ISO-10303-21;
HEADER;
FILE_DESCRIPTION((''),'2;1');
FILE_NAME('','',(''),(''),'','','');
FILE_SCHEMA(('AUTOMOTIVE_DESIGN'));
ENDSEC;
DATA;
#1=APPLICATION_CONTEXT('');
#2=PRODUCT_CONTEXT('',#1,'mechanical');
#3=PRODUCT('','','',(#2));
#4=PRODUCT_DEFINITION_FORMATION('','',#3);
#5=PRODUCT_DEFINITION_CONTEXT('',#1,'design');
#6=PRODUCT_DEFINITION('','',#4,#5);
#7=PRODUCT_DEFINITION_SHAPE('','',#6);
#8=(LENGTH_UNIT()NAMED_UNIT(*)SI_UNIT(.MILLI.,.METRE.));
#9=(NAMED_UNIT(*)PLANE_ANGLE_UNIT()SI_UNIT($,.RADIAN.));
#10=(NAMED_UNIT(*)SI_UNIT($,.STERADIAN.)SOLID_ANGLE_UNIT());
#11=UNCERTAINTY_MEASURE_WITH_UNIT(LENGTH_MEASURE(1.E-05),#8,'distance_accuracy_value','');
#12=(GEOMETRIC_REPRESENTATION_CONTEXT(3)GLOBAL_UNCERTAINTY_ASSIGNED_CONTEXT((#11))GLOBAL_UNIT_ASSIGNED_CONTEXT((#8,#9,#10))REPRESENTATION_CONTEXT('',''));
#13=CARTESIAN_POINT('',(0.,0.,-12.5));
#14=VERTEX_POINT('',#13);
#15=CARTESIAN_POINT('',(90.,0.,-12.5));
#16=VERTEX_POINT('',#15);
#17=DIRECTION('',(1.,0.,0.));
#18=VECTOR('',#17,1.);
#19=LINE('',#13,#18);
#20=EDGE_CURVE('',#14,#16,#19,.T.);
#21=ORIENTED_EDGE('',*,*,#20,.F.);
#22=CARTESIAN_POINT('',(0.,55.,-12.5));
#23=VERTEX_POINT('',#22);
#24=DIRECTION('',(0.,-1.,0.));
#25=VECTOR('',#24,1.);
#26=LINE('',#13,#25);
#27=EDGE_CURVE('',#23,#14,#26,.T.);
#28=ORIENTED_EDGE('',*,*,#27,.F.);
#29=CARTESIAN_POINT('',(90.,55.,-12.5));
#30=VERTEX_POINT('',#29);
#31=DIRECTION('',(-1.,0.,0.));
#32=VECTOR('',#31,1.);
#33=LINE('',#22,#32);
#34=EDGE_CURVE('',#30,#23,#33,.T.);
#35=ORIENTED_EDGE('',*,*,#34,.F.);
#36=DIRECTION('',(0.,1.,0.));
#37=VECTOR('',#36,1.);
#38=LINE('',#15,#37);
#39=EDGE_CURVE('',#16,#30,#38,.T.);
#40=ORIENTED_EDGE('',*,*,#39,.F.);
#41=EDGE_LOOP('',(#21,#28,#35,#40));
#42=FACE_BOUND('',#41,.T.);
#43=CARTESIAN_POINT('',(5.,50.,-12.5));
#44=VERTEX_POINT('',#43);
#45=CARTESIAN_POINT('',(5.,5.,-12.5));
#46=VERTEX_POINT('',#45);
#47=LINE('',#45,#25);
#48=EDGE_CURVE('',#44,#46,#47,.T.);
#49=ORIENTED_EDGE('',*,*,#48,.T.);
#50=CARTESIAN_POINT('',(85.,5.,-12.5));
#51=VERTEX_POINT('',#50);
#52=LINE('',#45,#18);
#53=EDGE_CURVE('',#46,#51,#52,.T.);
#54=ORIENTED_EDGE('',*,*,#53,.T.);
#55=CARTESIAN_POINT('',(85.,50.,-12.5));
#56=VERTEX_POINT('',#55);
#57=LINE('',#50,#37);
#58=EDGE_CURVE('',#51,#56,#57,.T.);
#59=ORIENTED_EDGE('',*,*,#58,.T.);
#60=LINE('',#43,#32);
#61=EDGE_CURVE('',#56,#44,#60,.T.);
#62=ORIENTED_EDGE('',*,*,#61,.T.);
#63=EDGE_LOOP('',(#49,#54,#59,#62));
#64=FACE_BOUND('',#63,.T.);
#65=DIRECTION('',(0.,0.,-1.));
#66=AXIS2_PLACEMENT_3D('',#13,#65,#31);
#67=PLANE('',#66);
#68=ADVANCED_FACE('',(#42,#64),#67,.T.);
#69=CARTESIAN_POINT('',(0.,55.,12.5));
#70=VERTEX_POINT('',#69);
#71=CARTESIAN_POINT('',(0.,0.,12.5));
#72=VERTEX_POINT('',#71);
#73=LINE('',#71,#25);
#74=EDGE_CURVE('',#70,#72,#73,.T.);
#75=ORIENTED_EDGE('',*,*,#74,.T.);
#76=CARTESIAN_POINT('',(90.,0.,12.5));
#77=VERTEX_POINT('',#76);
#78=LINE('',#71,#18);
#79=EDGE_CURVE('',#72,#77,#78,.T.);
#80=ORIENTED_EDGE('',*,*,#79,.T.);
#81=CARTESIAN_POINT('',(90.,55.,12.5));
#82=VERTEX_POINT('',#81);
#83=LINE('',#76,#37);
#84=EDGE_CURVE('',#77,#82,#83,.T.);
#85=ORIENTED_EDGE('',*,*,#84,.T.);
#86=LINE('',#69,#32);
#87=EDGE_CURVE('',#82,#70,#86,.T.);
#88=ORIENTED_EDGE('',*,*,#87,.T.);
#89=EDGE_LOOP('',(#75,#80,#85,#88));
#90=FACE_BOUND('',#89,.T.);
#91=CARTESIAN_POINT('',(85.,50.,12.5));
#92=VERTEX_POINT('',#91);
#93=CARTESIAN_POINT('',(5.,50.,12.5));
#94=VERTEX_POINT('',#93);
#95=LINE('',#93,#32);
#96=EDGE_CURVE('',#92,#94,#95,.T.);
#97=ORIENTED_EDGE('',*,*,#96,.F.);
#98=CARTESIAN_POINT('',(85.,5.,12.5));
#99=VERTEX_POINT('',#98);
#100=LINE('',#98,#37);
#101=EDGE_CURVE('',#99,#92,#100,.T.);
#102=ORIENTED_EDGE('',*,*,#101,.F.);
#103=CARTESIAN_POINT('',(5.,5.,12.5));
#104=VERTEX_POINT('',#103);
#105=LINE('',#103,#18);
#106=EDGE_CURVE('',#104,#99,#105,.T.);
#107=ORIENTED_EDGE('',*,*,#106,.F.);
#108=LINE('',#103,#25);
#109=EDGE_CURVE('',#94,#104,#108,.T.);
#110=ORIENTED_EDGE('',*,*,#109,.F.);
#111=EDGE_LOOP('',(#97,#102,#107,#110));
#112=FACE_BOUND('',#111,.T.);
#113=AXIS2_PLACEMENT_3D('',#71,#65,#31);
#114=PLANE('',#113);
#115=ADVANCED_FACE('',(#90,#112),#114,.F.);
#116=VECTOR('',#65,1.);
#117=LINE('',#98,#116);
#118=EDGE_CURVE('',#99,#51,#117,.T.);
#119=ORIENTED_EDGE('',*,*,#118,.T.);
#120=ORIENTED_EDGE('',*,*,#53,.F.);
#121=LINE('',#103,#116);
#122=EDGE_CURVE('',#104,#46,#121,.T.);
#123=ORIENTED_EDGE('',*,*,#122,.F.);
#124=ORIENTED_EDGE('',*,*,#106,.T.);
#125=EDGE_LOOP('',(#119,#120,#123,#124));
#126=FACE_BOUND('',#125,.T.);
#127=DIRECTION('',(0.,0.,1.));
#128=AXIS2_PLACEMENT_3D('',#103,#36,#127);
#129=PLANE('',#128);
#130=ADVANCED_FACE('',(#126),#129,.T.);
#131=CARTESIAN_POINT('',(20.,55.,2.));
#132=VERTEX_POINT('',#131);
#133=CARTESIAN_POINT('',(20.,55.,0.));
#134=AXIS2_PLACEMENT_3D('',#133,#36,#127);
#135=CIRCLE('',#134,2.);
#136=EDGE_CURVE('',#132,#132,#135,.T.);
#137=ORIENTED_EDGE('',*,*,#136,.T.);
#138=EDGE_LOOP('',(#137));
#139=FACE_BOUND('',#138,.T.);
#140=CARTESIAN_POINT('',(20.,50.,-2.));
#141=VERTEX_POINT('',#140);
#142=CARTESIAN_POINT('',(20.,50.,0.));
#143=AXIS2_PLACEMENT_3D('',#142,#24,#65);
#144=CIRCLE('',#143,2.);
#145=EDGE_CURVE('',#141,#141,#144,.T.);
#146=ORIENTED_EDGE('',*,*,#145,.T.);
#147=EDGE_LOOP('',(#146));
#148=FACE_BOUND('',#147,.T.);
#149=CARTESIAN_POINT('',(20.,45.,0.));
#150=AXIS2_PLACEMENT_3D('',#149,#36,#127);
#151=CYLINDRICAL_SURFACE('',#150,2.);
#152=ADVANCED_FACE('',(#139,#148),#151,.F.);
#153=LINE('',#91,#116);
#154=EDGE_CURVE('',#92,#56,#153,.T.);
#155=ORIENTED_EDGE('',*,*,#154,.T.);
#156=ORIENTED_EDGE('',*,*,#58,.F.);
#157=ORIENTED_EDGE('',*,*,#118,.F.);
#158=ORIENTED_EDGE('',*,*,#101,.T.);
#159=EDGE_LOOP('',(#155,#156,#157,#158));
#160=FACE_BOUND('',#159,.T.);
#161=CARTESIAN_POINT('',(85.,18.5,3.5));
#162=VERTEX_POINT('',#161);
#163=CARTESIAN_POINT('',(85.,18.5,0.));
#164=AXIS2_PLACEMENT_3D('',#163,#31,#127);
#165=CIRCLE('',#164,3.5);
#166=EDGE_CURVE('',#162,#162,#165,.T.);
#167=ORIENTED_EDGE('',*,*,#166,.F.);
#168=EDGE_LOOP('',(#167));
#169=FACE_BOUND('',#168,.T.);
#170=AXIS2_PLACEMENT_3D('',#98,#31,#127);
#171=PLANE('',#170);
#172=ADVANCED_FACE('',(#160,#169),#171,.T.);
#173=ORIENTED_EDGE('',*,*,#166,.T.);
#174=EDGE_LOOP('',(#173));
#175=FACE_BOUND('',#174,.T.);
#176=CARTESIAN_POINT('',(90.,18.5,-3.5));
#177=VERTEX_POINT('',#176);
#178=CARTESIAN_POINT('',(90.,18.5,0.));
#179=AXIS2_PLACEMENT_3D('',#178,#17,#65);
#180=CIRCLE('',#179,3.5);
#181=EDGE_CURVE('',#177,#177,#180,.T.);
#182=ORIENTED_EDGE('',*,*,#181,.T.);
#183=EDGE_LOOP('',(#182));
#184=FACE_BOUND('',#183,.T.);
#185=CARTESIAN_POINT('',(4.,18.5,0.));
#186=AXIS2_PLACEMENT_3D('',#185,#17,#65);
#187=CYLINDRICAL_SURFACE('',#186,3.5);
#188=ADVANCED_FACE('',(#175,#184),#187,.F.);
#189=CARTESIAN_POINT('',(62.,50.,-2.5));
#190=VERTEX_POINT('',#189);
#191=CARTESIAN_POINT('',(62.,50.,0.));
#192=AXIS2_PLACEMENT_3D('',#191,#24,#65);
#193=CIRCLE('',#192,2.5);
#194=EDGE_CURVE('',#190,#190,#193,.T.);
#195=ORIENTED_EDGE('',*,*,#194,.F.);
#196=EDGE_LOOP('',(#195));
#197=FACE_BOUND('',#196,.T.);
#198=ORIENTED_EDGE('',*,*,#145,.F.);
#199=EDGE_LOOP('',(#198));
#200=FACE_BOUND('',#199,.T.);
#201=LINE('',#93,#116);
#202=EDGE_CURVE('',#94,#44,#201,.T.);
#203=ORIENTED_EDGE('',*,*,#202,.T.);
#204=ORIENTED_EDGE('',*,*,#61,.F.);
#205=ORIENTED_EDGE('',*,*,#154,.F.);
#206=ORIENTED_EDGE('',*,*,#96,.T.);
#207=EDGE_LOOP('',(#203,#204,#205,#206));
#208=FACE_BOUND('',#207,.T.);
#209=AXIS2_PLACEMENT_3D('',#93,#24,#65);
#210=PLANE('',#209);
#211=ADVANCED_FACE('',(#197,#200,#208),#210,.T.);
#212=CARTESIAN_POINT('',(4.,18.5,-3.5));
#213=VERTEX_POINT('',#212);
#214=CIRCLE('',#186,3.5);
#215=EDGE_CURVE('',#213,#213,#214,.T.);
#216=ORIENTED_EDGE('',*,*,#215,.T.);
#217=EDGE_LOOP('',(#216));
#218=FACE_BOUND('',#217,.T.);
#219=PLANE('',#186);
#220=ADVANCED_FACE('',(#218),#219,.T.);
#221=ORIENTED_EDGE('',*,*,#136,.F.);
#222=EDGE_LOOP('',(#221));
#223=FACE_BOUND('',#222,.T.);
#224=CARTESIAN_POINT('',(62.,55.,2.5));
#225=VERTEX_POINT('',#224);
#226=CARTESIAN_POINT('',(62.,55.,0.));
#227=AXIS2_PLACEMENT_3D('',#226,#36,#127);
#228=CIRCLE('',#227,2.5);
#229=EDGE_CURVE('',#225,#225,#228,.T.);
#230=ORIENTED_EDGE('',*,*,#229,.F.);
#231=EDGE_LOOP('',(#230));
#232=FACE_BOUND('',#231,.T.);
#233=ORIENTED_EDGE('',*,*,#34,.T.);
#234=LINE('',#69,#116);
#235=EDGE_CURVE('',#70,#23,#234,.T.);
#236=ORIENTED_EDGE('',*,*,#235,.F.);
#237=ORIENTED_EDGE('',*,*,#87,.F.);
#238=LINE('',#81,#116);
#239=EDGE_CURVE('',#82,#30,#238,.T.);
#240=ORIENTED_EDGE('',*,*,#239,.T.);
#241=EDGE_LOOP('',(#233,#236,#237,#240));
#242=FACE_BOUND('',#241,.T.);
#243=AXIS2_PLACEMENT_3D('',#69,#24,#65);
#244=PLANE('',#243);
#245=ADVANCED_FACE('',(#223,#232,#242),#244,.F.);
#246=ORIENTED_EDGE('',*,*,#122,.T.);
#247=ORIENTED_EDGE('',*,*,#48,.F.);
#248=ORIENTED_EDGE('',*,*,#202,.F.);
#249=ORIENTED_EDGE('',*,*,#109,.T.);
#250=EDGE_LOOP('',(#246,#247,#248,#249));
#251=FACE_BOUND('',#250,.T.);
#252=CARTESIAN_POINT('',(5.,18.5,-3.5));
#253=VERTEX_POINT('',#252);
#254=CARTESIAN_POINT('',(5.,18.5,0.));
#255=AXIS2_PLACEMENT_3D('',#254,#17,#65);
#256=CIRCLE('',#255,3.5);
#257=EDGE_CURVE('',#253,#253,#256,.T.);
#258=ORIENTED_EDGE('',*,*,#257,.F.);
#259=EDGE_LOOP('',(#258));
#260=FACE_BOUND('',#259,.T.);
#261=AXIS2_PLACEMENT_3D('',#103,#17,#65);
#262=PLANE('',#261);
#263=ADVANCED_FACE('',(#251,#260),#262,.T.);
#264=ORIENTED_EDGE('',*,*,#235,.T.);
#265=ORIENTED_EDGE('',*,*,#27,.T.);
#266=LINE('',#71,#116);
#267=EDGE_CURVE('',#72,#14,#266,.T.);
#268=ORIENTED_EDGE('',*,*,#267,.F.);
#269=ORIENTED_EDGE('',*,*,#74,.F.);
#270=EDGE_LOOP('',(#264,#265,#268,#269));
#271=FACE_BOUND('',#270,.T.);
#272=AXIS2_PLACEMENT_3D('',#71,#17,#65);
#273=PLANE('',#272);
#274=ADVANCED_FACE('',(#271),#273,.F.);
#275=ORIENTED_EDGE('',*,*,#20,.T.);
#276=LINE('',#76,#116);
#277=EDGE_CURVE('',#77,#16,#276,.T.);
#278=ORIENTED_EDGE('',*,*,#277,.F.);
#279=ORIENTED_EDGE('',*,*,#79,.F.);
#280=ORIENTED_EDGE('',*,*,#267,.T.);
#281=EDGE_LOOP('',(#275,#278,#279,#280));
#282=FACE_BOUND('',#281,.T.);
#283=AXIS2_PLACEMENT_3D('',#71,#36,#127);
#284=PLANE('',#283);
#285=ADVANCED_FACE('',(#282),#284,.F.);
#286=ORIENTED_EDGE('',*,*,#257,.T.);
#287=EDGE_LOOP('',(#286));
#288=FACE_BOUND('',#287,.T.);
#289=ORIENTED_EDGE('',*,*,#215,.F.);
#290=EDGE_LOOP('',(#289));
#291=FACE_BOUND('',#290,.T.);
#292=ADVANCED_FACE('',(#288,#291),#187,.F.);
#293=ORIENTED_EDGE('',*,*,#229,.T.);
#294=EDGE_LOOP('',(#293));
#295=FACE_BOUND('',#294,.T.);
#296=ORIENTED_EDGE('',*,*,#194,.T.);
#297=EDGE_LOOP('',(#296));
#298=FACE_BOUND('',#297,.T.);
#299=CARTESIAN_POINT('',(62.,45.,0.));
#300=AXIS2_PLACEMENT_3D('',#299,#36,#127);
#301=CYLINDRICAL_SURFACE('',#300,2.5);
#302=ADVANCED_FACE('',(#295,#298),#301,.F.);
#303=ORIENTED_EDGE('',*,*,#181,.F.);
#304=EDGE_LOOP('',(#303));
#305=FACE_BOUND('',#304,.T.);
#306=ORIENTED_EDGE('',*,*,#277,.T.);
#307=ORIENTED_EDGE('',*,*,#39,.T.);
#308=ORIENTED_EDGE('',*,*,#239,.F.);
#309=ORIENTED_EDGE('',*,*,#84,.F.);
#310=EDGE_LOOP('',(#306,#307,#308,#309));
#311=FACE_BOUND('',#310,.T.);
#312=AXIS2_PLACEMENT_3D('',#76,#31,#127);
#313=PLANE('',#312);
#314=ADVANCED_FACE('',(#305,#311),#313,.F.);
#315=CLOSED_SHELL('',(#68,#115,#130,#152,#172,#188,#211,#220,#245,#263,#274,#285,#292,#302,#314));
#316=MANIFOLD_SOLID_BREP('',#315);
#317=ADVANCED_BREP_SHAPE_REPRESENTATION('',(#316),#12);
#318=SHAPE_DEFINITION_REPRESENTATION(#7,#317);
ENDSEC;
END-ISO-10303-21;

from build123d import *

# Parameters (mm, degrees)
CROQUIS2_W              = 90
CROQUIS2_H              = 55
CROQUIS2_W_2            = 80
CROQUIS2_H_2            = 45
SALIENTE_EXTRUIR2_DEPTH = 12.5
CROQUIS4_R              = 3.5
CORTAR_EXTRUIR2_DEPTH   = 86
CROQUIS5_R              = 2
CROQUIS5_R_2            = 2.5
CORTAR_EXTRUIR4_DEPTH   = 10


with BuildPart() as part:
    # Croquis2 → Saliente-Extruir2 (new body, symmetric)
    with BuildSketch(Plane.XY):
        with Locations((45, 27.5)):
            Rectangle(CROQUIS2_W, CROQUIS2_H)
        with Locations((45, 27.5)):
            Rectangle(CROQUIS2_W_2, CROQUIS2_H_2, mode=Mode.SUBTRACT)
    extrude(amount=SALIENTE_EXTRUIR2_DEPTH, both=True)

    # Croquis4 → Cortar-Extruir2 (cut)
    with BuildSketch(Plane(origin=(90, 0, 0), x_dir=(0, 0, -1), z_dir=(1, 0, 0))):
        with Locations((0, 18.5)):
            Circle(CROQUIS4_R)
    extrude(amount=-CORTAR_EXTRUIR2_DEPTH, mode=Mode.SUBTRACT)

    # Croquis5 → Cortar-Extruir4 (cut)
    with BuildSketch(Plane(origin=(0, 55, 0), x_dir=(1, 0, 0), z_dir=(0, 1, 0))):
        with Locations((20, 0)):
            Circle(CROQUIS5_R)
        with Locations((62, 0)):
            Circle(CROQUIS5_R_2)
    extrude(amount=-CORTAR_EXTRUIR4_DEPTH, mode=Mode.SUBTRACT)


solid = part.part
